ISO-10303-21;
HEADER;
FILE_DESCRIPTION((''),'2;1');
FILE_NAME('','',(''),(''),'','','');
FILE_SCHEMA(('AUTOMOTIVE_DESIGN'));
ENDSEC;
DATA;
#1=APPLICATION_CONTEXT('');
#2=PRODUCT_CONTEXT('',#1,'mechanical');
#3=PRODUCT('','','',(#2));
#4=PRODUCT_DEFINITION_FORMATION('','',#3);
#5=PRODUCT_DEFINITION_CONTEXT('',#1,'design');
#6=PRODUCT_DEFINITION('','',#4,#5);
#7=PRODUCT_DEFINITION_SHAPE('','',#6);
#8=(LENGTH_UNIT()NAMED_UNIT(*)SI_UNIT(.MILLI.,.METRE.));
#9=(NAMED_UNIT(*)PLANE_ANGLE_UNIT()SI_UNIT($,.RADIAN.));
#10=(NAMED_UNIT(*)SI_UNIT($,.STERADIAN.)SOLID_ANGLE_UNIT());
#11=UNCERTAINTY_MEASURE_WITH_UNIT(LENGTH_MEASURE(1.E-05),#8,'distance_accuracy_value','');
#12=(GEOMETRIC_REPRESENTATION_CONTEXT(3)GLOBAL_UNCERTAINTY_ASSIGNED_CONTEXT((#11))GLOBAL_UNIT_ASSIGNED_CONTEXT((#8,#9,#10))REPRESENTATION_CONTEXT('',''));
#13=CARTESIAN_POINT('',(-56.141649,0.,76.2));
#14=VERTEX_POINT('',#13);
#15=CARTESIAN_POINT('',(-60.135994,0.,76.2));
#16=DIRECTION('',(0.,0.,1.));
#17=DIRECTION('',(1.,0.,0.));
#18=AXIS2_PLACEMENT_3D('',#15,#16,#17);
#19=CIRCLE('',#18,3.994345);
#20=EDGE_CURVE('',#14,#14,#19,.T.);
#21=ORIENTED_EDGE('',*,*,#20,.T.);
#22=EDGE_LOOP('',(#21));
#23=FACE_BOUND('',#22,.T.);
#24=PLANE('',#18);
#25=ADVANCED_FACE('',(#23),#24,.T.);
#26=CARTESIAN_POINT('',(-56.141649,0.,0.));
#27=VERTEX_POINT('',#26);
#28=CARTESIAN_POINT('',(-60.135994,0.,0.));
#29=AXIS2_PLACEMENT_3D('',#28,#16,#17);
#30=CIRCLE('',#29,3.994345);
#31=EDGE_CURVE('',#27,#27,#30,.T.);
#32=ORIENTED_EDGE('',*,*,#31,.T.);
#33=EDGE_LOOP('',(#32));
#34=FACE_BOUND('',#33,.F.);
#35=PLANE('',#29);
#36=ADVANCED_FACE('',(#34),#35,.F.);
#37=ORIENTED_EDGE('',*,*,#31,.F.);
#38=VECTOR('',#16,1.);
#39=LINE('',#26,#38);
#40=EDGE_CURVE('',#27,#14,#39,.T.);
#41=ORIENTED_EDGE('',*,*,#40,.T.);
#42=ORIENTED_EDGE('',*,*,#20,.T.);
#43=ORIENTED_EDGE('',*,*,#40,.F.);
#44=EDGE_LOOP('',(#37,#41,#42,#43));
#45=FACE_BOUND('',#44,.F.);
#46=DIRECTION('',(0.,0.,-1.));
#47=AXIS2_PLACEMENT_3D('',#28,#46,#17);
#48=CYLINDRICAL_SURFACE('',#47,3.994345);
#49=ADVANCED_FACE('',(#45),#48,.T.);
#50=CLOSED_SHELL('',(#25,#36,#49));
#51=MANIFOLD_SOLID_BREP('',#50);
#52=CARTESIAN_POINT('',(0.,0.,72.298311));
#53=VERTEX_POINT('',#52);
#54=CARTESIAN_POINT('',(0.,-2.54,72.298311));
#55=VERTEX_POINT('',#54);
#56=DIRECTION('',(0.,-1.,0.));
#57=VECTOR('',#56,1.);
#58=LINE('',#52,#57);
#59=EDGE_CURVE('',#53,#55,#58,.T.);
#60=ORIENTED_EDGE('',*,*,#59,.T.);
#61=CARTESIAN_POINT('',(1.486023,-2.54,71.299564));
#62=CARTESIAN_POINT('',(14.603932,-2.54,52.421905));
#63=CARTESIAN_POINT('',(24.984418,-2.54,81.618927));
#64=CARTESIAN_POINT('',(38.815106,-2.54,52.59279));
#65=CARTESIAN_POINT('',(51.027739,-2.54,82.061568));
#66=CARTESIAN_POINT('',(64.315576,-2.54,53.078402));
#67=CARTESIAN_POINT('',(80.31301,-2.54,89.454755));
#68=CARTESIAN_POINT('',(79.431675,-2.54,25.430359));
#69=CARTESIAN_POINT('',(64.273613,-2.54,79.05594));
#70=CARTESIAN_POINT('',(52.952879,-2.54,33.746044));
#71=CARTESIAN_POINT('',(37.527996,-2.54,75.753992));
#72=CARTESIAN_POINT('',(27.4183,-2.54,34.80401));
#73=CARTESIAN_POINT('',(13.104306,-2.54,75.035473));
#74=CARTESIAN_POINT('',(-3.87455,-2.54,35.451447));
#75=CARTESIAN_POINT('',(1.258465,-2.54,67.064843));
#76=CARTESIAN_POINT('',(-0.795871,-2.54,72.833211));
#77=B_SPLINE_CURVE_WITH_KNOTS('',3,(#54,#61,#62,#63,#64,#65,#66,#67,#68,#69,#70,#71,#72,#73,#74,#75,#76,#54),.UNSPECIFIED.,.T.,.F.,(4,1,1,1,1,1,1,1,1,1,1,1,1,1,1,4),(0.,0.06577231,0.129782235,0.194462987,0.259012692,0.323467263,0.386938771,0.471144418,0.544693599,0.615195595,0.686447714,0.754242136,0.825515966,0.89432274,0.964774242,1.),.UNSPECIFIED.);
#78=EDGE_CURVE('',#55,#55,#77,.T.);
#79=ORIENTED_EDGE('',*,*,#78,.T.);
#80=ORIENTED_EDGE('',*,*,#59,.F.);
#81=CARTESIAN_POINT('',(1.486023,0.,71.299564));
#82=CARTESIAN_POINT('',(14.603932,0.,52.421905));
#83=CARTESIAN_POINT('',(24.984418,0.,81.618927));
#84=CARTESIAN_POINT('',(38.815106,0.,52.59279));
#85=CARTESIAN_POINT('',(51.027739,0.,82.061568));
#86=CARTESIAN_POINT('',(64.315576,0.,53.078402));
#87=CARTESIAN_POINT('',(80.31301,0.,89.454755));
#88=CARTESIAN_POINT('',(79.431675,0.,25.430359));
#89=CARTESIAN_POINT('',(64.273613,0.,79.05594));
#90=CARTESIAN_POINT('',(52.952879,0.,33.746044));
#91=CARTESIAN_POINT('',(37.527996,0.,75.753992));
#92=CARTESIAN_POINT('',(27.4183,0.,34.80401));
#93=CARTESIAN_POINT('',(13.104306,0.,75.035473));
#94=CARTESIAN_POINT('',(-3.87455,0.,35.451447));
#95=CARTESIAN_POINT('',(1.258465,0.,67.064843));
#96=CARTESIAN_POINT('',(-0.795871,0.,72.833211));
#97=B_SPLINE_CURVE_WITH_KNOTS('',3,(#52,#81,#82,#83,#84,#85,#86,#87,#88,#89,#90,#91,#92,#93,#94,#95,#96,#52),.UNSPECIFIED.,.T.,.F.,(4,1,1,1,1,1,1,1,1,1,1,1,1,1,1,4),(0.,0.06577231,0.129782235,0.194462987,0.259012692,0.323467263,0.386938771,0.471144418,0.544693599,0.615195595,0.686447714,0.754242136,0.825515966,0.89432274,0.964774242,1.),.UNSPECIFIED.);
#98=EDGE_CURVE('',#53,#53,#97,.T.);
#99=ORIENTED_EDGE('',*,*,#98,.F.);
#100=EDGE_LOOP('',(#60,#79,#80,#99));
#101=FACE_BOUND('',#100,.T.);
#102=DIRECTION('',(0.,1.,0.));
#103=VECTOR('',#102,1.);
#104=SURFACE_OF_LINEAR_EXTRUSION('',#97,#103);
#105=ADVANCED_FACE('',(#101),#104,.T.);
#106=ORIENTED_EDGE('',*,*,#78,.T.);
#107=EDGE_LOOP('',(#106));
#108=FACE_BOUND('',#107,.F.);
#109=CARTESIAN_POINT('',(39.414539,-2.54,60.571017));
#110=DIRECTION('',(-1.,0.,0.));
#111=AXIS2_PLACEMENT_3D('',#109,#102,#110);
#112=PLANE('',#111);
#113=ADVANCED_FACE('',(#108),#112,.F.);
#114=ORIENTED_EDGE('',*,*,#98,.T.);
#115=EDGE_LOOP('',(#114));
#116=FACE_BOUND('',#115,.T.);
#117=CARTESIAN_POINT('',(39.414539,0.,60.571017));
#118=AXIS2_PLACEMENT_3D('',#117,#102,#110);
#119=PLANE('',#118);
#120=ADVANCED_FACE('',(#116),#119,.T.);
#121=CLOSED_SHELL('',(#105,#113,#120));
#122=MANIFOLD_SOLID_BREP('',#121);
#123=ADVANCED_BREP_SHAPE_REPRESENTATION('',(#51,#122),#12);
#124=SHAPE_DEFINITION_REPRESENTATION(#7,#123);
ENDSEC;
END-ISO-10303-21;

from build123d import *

# Parameters (mm, degrees)
F0_R     = 3.9943447122
F1_DEPTH = 76.2
F3_DEPTH = 2.54


with BuildPart() as f1:
    # F0 (on Top) → F1 (new body)
    with BuildSketch(Plane.XY):
        with Locations((-60.1359941065, 0)):
            Circle(F0_R)
    extrude(amount=F1_DEPTH)


with BuildPart() as f3:
    # F2 (on Front) → F3 (new body)
    with BuildSketch(Plane.XZ):
        with BuildLine():
            add(Edge.make_bspline(
                [(0, 72.2983106971), (1.4860231047, 71.2995637989), (14.6039321002, 52.4219050579), (24.9844182184, 81.6189272388), (38.8151061905, 52.5927901966), (51.0277392071, 82.0615684658), (64.3155756029, 53.0784020937), (80.3130096606, 89.4547552971), (79.4316747098, 25.4303587778), (64.2736129939, 79.0559404786), (52.9528785094, 33.7460442355), (37.5279958288, 75.7539922427), (27.4182998764, 34.8040096471), (13.1043059844, 75.0354730864), (-3.8745497698, 35.4514472809), (1.2584649307, 67.0648433302), (-0.7958712467, 72.8332108184), (0, 72.2983106971)],
                knots=[0, 0, 0, 0, 0.0657723099, 0.1297822347, 0.1944629872, 0.2590126925, 0.3234672632, 0.3869387708, 0.4711444179, 0.5446935988, 0.615195595, 0.6864477144, 0.7542421364, 0.8255159661, 0.8943227396, 0.964774242, 1, 1, 1, 1], degree=3))
        make_face()
    extrude(amount=F3_DEPTH)


solid = Compound([f1.part, f3.part])
